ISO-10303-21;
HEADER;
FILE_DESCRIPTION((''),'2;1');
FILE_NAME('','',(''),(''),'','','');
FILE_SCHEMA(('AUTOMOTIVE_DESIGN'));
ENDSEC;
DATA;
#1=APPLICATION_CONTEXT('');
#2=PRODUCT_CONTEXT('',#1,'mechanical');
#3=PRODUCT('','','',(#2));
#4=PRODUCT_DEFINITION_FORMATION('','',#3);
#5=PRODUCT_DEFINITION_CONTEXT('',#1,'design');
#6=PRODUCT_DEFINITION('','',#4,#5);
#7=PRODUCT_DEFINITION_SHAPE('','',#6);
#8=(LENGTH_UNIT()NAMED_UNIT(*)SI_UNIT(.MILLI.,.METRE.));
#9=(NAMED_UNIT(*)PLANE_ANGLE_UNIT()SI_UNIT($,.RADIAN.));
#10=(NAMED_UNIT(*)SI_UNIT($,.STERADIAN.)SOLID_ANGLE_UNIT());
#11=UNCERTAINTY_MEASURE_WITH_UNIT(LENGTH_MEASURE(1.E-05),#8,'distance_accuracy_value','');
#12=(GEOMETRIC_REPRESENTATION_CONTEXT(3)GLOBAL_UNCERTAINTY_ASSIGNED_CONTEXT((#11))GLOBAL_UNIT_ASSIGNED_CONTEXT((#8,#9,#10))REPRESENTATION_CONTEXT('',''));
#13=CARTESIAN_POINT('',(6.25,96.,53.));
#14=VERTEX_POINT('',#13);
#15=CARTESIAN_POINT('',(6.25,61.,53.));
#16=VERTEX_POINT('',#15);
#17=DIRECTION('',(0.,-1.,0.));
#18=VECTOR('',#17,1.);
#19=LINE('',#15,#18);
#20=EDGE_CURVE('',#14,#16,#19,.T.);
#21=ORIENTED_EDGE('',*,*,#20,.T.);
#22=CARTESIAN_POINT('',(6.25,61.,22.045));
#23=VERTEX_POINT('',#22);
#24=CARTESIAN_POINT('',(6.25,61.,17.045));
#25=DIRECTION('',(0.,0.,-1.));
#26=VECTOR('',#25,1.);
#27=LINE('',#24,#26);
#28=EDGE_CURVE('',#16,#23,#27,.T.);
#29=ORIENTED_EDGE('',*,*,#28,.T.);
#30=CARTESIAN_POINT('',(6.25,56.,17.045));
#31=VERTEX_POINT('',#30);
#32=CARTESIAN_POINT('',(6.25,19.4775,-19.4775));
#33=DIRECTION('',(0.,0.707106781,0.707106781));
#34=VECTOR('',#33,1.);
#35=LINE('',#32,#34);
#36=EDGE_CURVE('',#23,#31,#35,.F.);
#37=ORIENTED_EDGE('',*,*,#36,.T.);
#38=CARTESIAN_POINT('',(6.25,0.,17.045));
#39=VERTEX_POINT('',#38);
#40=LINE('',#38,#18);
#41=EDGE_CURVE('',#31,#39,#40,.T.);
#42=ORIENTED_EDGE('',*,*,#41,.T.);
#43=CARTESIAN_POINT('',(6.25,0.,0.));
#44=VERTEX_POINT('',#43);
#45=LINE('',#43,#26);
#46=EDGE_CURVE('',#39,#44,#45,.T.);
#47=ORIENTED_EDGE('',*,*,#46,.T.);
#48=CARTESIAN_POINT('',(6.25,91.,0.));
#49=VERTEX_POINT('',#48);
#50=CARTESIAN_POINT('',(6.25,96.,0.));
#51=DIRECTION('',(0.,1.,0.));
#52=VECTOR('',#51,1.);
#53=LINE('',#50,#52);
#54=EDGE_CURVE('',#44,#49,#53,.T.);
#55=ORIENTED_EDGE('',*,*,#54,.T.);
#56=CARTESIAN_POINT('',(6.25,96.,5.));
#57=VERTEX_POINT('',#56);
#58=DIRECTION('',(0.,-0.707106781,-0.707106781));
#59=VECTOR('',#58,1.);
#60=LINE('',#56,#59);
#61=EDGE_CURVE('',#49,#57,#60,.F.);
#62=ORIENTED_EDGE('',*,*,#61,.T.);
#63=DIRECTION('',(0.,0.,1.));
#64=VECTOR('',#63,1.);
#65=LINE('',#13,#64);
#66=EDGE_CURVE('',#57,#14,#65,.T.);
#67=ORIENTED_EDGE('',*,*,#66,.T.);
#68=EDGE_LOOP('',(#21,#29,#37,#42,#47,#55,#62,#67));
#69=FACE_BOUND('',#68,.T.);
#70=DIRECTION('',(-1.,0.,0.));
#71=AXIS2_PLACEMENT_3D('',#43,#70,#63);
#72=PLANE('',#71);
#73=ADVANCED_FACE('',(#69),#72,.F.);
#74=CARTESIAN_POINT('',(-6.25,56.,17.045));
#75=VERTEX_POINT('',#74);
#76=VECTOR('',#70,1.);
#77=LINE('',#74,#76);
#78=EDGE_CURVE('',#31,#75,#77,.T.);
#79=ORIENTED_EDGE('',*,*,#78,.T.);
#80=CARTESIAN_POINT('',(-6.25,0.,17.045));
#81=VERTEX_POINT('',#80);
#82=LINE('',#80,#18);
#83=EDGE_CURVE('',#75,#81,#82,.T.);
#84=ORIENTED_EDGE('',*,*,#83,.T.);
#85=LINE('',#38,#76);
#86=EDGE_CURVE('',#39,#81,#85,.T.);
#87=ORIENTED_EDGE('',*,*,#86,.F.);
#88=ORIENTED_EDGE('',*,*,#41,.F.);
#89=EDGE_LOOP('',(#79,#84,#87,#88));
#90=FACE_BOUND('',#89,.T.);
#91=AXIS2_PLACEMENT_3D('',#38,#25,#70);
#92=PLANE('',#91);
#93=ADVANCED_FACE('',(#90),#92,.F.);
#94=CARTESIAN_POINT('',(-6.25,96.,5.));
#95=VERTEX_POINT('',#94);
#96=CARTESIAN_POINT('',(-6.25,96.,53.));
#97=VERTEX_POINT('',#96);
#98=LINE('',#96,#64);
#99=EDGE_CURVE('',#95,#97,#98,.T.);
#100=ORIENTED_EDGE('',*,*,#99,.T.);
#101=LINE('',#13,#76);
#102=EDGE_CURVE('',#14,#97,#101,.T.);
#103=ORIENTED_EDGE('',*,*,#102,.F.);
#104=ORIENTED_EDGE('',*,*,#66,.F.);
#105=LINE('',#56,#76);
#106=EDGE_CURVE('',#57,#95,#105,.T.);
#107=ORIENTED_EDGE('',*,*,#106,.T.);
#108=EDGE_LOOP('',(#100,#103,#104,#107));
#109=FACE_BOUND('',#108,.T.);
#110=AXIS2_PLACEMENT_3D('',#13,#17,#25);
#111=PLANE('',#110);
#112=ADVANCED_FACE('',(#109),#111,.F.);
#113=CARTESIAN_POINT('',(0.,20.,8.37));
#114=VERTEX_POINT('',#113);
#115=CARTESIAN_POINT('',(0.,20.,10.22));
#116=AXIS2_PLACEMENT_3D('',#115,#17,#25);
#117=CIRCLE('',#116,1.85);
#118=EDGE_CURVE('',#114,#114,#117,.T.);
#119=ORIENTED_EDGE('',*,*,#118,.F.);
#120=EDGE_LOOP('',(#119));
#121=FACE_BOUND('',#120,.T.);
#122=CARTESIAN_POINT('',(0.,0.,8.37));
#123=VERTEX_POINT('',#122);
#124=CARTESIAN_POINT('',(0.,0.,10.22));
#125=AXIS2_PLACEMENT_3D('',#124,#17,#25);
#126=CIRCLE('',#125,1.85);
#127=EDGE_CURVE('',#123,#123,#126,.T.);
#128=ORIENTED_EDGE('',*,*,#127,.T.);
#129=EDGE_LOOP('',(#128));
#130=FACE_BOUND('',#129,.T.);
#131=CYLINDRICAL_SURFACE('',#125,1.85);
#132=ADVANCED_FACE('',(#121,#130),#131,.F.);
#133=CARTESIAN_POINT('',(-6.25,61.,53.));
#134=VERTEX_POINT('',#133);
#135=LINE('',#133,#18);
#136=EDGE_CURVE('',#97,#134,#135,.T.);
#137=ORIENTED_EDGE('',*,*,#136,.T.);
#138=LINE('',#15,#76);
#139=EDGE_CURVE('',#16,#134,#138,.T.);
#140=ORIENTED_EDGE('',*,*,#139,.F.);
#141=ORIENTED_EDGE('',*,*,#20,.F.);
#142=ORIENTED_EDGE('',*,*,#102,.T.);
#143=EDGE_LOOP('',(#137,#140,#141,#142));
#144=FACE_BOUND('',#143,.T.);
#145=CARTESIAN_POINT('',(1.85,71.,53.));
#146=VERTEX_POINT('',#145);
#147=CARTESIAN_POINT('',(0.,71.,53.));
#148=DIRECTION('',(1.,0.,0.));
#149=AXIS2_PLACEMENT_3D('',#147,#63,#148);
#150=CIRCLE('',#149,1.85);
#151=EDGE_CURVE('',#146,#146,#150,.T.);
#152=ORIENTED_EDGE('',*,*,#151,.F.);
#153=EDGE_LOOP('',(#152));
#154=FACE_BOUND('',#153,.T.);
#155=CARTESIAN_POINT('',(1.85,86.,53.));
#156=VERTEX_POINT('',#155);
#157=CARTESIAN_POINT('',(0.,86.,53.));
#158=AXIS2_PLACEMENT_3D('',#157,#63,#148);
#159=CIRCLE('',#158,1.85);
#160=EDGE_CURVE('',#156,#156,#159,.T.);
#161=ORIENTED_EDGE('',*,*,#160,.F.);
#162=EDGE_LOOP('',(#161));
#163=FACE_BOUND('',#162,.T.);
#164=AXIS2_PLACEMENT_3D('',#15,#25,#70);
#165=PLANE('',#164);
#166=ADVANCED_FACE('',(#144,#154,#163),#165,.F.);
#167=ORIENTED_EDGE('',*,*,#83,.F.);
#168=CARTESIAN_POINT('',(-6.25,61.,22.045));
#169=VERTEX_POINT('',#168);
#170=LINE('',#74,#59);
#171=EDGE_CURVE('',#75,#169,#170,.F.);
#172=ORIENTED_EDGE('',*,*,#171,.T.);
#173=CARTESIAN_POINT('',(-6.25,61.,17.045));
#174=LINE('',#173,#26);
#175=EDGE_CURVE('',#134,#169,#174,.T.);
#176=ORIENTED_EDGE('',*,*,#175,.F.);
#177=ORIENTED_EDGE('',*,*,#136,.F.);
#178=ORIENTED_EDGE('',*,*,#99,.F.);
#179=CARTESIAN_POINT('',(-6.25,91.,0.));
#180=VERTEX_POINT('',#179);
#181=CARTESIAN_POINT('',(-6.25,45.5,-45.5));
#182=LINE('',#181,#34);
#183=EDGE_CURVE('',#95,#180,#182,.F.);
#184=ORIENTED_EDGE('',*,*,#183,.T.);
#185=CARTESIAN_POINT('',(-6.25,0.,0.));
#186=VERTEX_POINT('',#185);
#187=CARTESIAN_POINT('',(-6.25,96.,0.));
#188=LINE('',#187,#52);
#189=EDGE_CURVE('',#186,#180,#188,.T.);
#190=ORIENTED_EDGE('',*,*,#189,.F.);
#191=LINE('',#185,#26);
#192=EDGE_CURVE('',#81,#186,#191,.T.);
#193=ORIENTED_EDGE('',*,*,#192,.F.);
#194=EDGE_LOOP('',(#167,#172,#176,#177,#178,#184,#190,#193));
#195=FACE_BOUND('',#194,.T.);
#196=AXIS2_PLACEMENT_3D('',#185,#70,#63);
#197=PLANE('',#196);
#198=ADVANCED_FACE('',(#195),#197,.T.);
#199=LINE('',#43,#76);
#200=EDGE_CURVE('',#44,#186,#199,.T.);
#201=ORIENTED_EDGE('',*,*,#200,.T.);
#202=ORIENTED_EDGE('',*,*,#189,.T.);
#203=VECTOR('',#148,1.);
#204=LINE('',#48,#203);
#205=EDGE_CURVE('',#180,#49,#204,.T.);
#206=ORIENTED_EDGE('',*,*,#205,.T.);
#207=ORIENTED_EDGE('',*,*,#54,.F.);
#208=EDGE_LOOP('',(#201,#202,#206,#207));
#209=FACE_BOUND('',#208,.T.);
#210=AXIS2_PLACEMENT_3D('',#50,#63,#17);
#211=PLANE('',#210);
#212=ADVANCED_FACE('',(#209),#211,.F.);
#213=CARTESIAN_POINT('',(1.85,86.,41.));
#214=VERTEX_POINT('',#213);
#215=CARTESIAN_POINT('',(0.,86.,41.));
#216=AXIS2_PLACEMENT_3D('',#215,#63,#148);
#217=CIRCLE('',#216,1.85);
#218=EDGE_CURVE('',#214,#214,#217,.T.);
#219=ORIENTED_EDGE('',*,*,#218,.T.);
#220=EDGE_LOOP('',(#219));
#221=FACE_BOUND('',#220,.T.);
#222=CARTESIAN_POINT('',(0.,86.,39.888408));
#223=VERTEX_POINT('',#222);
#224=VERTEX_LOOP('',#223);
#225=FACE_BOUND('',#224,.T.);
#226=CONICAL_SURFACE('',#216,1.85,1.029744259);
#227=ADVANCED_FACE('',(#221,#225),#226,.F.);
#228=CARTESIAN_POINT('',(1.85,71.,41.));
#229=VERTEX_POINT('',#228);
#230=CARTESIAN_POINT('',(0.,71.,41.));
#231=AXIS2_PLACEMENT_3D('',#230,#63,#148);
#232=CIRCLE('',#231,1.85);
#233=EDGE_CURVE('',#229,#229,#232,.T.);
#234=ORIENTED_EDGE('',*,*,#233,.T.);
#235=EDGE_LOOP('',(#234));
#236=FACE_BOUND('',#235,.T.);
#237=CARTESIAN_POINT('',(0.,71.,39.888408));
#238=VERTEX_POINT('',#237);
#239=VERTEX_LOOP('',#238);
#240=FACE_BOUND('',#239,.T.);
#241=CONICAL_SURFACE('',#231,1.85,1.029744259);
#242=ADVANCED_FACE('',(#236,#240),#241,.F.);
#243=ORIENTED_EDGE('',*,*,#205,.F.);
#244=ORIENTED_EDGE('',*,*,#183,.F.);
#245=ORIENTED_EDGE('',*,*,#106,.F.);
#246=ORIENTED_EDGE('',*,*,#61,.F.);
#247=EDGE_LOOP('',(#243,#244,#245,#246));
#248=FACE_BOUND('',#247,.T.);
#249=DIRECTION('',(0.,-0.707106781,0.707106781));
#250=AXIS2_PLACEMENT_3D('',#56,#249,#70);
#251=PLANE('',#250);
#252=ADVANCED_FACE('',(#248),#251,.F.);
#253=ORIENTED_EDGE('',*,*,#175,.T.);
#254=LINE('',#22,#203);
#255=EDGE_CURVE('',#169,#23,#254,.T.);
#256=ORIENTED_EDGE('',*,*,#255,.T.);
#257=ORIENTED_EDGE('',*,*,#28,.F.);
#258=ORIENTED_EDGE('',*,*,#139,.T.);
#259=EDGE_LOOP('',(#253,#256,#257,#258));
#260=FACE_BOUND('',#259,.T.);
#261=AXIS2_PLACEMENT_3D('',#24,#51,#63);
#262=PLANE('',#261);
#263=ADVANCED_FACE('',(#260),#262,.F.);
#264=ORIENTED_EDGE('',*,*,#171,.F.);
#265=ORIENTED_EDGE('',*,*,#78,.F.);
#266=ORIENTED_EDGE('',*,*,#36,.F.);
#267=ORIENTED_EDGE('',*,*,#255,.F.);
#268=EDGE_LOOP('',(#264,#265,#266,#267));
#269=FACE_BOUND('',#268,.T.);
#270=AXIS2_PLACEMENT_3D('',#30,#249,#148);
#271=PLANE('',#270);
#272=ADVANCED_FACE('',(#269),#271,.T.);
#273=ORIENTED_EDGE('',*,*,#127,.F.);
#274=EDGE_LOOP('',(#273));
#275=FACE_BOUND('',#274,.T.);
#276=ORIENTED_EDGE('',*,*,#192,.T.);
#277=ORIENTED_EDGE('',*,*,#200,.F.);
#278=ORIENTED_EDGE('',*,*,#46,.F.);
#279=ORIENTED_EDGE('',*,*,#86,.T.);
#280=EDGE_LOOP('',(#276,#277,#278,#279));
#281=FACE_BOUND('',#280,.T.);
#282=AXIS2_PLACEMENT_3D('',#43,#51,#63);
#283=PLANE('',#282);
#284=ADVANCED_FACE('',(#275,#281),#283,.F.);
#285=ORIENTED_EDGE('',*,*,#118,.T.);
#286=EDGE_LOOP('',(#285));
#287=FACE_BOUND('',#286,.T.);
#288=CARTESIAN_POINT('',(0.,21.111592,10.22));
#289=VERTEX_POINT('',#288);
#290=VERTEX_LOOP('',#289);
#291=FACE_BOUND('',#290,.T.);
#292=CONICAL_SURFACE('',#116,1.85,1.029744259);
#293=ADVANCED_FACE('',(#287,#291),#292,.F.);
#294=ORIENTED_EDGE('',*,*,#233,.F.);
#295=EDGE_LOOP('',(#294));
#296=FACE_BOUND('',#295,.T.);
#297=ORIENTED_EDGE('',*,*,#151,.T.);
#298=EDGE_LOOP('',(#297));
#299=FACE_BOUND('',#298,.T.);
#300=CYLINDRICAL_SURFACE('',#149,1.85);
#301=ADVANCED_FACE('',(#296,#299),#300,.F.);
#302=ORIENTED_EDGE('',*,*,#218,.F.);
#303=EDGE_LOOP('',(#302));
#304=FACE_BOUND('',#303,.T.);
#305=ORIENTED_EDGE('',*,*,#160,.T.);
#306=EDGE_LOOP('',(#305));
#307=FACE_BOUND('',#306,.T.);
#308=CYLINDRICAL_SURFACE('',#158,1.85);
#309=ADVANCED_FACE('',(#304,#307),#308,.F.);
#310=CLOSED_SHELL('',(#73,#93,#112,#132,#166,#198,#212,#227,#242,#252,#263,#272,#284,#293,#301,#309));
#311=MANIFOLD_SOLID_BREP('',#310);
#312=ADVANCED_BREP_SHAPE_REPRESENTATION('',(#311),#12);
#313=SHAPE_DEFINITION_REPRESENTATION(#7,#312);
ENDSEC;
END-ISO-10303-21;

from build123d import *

# Parameters (mm, degrees)
BOSS_EXTRUDE1_DEPTH            = 6.25
CHAMFER1_SIZE                  = 5
F_3_7_3_7_DIAMETER_HOLE1_D     = 3.7
F_3_7_3_7_DIAMETER_HOLE1_DEPTH = 12
F_3_7_3_7_DIAMETER_HOLE1_TIP   = 1.111592145
F_3_7_3_7_DIAMETER_HOLE2_D     = 3.7
F_3_7_3_7_DIAMETER_HOLE2_DEPTH = 20
F_3_7_3_7_DIAMETER_HOLE2_TIP   = 1.111592145


with BuildPart() as part:
    # Sketch1 → Boss-Extrude1 (new, symmetric)
    with BuildSketch(Plane(origin=(0, 0, 0), x_dir=(0, 0, -1), z_dir=(1, 0, 0))):
        Polygon((0, 0), (-17.045, 0), (-17.045, 61), (-53, 61), (-53, 96), (0, 96), align=None)
    extrude(amount=BOSS_EXTRUDE1_DEPTH, both=True)

    # Chamfer1
    chamfer1_edges = [part.edges().sort_by_distance(p)[0] for p in [
        (0, 61, 17.045),
        (0, 96, 0),
    ]]
    chamfer(chamfer1_edges, length=CHAMFER1_SIZE)

    # Ø3.7 (3.7) Diameter Hole1
    with Locations(Plane.XY.offset(53)):
        with Locations((0, 86), (0, 71)):
            Hole(F_3_7_3_7_DIAMETER_HOLE1_D / 2, depth=F_3_7_3_7_DIAMETER_HOLE1_DEPTH)
            with Locations((0, 0, -(F_3_7_3_7_DIAMETER_HOLE1_DEPTH + F_3_7_3_7_DIAMETER_HOLE1_TIP / 2))):  # 118° drill point
                Cone(0, F_3_7_3_7_DIAMETER_HOLE1_D / 2, F_3_7_3_7_DIAMETER_HOLE1_TIP, mode=Mode.SUBTRACT)

    # Ø3.7 (3.7) Diameter Hole2
    with Locations(Plane(origin=(0, 0, 0), x_dir=(-1, 0, 0), z_dir=(0, -1, 0))):
        with Locations((0, -10.22)):
            Hole(F_3_7_3_7_DIAMETER_HOLE2_D / 2, depth=F_3_7_3_7_DIAMETER_HOLE2_DEPTH)
            with Locations((0, 0, -(F_3_7_3_7_DIAMETER_HOLE2_DEPTH + F_3_7_3_7_DIAMETER_HOLE2_TIP / 2))):  # 118° drill point
                Cone(0, F_3_7_3_7_DIAMETER_HOLE2_D / 2, F_3_7_3_7_DIAMETER_HOLE2_TIP, mode=Mode.SUBTRACT)


solid = part.part
